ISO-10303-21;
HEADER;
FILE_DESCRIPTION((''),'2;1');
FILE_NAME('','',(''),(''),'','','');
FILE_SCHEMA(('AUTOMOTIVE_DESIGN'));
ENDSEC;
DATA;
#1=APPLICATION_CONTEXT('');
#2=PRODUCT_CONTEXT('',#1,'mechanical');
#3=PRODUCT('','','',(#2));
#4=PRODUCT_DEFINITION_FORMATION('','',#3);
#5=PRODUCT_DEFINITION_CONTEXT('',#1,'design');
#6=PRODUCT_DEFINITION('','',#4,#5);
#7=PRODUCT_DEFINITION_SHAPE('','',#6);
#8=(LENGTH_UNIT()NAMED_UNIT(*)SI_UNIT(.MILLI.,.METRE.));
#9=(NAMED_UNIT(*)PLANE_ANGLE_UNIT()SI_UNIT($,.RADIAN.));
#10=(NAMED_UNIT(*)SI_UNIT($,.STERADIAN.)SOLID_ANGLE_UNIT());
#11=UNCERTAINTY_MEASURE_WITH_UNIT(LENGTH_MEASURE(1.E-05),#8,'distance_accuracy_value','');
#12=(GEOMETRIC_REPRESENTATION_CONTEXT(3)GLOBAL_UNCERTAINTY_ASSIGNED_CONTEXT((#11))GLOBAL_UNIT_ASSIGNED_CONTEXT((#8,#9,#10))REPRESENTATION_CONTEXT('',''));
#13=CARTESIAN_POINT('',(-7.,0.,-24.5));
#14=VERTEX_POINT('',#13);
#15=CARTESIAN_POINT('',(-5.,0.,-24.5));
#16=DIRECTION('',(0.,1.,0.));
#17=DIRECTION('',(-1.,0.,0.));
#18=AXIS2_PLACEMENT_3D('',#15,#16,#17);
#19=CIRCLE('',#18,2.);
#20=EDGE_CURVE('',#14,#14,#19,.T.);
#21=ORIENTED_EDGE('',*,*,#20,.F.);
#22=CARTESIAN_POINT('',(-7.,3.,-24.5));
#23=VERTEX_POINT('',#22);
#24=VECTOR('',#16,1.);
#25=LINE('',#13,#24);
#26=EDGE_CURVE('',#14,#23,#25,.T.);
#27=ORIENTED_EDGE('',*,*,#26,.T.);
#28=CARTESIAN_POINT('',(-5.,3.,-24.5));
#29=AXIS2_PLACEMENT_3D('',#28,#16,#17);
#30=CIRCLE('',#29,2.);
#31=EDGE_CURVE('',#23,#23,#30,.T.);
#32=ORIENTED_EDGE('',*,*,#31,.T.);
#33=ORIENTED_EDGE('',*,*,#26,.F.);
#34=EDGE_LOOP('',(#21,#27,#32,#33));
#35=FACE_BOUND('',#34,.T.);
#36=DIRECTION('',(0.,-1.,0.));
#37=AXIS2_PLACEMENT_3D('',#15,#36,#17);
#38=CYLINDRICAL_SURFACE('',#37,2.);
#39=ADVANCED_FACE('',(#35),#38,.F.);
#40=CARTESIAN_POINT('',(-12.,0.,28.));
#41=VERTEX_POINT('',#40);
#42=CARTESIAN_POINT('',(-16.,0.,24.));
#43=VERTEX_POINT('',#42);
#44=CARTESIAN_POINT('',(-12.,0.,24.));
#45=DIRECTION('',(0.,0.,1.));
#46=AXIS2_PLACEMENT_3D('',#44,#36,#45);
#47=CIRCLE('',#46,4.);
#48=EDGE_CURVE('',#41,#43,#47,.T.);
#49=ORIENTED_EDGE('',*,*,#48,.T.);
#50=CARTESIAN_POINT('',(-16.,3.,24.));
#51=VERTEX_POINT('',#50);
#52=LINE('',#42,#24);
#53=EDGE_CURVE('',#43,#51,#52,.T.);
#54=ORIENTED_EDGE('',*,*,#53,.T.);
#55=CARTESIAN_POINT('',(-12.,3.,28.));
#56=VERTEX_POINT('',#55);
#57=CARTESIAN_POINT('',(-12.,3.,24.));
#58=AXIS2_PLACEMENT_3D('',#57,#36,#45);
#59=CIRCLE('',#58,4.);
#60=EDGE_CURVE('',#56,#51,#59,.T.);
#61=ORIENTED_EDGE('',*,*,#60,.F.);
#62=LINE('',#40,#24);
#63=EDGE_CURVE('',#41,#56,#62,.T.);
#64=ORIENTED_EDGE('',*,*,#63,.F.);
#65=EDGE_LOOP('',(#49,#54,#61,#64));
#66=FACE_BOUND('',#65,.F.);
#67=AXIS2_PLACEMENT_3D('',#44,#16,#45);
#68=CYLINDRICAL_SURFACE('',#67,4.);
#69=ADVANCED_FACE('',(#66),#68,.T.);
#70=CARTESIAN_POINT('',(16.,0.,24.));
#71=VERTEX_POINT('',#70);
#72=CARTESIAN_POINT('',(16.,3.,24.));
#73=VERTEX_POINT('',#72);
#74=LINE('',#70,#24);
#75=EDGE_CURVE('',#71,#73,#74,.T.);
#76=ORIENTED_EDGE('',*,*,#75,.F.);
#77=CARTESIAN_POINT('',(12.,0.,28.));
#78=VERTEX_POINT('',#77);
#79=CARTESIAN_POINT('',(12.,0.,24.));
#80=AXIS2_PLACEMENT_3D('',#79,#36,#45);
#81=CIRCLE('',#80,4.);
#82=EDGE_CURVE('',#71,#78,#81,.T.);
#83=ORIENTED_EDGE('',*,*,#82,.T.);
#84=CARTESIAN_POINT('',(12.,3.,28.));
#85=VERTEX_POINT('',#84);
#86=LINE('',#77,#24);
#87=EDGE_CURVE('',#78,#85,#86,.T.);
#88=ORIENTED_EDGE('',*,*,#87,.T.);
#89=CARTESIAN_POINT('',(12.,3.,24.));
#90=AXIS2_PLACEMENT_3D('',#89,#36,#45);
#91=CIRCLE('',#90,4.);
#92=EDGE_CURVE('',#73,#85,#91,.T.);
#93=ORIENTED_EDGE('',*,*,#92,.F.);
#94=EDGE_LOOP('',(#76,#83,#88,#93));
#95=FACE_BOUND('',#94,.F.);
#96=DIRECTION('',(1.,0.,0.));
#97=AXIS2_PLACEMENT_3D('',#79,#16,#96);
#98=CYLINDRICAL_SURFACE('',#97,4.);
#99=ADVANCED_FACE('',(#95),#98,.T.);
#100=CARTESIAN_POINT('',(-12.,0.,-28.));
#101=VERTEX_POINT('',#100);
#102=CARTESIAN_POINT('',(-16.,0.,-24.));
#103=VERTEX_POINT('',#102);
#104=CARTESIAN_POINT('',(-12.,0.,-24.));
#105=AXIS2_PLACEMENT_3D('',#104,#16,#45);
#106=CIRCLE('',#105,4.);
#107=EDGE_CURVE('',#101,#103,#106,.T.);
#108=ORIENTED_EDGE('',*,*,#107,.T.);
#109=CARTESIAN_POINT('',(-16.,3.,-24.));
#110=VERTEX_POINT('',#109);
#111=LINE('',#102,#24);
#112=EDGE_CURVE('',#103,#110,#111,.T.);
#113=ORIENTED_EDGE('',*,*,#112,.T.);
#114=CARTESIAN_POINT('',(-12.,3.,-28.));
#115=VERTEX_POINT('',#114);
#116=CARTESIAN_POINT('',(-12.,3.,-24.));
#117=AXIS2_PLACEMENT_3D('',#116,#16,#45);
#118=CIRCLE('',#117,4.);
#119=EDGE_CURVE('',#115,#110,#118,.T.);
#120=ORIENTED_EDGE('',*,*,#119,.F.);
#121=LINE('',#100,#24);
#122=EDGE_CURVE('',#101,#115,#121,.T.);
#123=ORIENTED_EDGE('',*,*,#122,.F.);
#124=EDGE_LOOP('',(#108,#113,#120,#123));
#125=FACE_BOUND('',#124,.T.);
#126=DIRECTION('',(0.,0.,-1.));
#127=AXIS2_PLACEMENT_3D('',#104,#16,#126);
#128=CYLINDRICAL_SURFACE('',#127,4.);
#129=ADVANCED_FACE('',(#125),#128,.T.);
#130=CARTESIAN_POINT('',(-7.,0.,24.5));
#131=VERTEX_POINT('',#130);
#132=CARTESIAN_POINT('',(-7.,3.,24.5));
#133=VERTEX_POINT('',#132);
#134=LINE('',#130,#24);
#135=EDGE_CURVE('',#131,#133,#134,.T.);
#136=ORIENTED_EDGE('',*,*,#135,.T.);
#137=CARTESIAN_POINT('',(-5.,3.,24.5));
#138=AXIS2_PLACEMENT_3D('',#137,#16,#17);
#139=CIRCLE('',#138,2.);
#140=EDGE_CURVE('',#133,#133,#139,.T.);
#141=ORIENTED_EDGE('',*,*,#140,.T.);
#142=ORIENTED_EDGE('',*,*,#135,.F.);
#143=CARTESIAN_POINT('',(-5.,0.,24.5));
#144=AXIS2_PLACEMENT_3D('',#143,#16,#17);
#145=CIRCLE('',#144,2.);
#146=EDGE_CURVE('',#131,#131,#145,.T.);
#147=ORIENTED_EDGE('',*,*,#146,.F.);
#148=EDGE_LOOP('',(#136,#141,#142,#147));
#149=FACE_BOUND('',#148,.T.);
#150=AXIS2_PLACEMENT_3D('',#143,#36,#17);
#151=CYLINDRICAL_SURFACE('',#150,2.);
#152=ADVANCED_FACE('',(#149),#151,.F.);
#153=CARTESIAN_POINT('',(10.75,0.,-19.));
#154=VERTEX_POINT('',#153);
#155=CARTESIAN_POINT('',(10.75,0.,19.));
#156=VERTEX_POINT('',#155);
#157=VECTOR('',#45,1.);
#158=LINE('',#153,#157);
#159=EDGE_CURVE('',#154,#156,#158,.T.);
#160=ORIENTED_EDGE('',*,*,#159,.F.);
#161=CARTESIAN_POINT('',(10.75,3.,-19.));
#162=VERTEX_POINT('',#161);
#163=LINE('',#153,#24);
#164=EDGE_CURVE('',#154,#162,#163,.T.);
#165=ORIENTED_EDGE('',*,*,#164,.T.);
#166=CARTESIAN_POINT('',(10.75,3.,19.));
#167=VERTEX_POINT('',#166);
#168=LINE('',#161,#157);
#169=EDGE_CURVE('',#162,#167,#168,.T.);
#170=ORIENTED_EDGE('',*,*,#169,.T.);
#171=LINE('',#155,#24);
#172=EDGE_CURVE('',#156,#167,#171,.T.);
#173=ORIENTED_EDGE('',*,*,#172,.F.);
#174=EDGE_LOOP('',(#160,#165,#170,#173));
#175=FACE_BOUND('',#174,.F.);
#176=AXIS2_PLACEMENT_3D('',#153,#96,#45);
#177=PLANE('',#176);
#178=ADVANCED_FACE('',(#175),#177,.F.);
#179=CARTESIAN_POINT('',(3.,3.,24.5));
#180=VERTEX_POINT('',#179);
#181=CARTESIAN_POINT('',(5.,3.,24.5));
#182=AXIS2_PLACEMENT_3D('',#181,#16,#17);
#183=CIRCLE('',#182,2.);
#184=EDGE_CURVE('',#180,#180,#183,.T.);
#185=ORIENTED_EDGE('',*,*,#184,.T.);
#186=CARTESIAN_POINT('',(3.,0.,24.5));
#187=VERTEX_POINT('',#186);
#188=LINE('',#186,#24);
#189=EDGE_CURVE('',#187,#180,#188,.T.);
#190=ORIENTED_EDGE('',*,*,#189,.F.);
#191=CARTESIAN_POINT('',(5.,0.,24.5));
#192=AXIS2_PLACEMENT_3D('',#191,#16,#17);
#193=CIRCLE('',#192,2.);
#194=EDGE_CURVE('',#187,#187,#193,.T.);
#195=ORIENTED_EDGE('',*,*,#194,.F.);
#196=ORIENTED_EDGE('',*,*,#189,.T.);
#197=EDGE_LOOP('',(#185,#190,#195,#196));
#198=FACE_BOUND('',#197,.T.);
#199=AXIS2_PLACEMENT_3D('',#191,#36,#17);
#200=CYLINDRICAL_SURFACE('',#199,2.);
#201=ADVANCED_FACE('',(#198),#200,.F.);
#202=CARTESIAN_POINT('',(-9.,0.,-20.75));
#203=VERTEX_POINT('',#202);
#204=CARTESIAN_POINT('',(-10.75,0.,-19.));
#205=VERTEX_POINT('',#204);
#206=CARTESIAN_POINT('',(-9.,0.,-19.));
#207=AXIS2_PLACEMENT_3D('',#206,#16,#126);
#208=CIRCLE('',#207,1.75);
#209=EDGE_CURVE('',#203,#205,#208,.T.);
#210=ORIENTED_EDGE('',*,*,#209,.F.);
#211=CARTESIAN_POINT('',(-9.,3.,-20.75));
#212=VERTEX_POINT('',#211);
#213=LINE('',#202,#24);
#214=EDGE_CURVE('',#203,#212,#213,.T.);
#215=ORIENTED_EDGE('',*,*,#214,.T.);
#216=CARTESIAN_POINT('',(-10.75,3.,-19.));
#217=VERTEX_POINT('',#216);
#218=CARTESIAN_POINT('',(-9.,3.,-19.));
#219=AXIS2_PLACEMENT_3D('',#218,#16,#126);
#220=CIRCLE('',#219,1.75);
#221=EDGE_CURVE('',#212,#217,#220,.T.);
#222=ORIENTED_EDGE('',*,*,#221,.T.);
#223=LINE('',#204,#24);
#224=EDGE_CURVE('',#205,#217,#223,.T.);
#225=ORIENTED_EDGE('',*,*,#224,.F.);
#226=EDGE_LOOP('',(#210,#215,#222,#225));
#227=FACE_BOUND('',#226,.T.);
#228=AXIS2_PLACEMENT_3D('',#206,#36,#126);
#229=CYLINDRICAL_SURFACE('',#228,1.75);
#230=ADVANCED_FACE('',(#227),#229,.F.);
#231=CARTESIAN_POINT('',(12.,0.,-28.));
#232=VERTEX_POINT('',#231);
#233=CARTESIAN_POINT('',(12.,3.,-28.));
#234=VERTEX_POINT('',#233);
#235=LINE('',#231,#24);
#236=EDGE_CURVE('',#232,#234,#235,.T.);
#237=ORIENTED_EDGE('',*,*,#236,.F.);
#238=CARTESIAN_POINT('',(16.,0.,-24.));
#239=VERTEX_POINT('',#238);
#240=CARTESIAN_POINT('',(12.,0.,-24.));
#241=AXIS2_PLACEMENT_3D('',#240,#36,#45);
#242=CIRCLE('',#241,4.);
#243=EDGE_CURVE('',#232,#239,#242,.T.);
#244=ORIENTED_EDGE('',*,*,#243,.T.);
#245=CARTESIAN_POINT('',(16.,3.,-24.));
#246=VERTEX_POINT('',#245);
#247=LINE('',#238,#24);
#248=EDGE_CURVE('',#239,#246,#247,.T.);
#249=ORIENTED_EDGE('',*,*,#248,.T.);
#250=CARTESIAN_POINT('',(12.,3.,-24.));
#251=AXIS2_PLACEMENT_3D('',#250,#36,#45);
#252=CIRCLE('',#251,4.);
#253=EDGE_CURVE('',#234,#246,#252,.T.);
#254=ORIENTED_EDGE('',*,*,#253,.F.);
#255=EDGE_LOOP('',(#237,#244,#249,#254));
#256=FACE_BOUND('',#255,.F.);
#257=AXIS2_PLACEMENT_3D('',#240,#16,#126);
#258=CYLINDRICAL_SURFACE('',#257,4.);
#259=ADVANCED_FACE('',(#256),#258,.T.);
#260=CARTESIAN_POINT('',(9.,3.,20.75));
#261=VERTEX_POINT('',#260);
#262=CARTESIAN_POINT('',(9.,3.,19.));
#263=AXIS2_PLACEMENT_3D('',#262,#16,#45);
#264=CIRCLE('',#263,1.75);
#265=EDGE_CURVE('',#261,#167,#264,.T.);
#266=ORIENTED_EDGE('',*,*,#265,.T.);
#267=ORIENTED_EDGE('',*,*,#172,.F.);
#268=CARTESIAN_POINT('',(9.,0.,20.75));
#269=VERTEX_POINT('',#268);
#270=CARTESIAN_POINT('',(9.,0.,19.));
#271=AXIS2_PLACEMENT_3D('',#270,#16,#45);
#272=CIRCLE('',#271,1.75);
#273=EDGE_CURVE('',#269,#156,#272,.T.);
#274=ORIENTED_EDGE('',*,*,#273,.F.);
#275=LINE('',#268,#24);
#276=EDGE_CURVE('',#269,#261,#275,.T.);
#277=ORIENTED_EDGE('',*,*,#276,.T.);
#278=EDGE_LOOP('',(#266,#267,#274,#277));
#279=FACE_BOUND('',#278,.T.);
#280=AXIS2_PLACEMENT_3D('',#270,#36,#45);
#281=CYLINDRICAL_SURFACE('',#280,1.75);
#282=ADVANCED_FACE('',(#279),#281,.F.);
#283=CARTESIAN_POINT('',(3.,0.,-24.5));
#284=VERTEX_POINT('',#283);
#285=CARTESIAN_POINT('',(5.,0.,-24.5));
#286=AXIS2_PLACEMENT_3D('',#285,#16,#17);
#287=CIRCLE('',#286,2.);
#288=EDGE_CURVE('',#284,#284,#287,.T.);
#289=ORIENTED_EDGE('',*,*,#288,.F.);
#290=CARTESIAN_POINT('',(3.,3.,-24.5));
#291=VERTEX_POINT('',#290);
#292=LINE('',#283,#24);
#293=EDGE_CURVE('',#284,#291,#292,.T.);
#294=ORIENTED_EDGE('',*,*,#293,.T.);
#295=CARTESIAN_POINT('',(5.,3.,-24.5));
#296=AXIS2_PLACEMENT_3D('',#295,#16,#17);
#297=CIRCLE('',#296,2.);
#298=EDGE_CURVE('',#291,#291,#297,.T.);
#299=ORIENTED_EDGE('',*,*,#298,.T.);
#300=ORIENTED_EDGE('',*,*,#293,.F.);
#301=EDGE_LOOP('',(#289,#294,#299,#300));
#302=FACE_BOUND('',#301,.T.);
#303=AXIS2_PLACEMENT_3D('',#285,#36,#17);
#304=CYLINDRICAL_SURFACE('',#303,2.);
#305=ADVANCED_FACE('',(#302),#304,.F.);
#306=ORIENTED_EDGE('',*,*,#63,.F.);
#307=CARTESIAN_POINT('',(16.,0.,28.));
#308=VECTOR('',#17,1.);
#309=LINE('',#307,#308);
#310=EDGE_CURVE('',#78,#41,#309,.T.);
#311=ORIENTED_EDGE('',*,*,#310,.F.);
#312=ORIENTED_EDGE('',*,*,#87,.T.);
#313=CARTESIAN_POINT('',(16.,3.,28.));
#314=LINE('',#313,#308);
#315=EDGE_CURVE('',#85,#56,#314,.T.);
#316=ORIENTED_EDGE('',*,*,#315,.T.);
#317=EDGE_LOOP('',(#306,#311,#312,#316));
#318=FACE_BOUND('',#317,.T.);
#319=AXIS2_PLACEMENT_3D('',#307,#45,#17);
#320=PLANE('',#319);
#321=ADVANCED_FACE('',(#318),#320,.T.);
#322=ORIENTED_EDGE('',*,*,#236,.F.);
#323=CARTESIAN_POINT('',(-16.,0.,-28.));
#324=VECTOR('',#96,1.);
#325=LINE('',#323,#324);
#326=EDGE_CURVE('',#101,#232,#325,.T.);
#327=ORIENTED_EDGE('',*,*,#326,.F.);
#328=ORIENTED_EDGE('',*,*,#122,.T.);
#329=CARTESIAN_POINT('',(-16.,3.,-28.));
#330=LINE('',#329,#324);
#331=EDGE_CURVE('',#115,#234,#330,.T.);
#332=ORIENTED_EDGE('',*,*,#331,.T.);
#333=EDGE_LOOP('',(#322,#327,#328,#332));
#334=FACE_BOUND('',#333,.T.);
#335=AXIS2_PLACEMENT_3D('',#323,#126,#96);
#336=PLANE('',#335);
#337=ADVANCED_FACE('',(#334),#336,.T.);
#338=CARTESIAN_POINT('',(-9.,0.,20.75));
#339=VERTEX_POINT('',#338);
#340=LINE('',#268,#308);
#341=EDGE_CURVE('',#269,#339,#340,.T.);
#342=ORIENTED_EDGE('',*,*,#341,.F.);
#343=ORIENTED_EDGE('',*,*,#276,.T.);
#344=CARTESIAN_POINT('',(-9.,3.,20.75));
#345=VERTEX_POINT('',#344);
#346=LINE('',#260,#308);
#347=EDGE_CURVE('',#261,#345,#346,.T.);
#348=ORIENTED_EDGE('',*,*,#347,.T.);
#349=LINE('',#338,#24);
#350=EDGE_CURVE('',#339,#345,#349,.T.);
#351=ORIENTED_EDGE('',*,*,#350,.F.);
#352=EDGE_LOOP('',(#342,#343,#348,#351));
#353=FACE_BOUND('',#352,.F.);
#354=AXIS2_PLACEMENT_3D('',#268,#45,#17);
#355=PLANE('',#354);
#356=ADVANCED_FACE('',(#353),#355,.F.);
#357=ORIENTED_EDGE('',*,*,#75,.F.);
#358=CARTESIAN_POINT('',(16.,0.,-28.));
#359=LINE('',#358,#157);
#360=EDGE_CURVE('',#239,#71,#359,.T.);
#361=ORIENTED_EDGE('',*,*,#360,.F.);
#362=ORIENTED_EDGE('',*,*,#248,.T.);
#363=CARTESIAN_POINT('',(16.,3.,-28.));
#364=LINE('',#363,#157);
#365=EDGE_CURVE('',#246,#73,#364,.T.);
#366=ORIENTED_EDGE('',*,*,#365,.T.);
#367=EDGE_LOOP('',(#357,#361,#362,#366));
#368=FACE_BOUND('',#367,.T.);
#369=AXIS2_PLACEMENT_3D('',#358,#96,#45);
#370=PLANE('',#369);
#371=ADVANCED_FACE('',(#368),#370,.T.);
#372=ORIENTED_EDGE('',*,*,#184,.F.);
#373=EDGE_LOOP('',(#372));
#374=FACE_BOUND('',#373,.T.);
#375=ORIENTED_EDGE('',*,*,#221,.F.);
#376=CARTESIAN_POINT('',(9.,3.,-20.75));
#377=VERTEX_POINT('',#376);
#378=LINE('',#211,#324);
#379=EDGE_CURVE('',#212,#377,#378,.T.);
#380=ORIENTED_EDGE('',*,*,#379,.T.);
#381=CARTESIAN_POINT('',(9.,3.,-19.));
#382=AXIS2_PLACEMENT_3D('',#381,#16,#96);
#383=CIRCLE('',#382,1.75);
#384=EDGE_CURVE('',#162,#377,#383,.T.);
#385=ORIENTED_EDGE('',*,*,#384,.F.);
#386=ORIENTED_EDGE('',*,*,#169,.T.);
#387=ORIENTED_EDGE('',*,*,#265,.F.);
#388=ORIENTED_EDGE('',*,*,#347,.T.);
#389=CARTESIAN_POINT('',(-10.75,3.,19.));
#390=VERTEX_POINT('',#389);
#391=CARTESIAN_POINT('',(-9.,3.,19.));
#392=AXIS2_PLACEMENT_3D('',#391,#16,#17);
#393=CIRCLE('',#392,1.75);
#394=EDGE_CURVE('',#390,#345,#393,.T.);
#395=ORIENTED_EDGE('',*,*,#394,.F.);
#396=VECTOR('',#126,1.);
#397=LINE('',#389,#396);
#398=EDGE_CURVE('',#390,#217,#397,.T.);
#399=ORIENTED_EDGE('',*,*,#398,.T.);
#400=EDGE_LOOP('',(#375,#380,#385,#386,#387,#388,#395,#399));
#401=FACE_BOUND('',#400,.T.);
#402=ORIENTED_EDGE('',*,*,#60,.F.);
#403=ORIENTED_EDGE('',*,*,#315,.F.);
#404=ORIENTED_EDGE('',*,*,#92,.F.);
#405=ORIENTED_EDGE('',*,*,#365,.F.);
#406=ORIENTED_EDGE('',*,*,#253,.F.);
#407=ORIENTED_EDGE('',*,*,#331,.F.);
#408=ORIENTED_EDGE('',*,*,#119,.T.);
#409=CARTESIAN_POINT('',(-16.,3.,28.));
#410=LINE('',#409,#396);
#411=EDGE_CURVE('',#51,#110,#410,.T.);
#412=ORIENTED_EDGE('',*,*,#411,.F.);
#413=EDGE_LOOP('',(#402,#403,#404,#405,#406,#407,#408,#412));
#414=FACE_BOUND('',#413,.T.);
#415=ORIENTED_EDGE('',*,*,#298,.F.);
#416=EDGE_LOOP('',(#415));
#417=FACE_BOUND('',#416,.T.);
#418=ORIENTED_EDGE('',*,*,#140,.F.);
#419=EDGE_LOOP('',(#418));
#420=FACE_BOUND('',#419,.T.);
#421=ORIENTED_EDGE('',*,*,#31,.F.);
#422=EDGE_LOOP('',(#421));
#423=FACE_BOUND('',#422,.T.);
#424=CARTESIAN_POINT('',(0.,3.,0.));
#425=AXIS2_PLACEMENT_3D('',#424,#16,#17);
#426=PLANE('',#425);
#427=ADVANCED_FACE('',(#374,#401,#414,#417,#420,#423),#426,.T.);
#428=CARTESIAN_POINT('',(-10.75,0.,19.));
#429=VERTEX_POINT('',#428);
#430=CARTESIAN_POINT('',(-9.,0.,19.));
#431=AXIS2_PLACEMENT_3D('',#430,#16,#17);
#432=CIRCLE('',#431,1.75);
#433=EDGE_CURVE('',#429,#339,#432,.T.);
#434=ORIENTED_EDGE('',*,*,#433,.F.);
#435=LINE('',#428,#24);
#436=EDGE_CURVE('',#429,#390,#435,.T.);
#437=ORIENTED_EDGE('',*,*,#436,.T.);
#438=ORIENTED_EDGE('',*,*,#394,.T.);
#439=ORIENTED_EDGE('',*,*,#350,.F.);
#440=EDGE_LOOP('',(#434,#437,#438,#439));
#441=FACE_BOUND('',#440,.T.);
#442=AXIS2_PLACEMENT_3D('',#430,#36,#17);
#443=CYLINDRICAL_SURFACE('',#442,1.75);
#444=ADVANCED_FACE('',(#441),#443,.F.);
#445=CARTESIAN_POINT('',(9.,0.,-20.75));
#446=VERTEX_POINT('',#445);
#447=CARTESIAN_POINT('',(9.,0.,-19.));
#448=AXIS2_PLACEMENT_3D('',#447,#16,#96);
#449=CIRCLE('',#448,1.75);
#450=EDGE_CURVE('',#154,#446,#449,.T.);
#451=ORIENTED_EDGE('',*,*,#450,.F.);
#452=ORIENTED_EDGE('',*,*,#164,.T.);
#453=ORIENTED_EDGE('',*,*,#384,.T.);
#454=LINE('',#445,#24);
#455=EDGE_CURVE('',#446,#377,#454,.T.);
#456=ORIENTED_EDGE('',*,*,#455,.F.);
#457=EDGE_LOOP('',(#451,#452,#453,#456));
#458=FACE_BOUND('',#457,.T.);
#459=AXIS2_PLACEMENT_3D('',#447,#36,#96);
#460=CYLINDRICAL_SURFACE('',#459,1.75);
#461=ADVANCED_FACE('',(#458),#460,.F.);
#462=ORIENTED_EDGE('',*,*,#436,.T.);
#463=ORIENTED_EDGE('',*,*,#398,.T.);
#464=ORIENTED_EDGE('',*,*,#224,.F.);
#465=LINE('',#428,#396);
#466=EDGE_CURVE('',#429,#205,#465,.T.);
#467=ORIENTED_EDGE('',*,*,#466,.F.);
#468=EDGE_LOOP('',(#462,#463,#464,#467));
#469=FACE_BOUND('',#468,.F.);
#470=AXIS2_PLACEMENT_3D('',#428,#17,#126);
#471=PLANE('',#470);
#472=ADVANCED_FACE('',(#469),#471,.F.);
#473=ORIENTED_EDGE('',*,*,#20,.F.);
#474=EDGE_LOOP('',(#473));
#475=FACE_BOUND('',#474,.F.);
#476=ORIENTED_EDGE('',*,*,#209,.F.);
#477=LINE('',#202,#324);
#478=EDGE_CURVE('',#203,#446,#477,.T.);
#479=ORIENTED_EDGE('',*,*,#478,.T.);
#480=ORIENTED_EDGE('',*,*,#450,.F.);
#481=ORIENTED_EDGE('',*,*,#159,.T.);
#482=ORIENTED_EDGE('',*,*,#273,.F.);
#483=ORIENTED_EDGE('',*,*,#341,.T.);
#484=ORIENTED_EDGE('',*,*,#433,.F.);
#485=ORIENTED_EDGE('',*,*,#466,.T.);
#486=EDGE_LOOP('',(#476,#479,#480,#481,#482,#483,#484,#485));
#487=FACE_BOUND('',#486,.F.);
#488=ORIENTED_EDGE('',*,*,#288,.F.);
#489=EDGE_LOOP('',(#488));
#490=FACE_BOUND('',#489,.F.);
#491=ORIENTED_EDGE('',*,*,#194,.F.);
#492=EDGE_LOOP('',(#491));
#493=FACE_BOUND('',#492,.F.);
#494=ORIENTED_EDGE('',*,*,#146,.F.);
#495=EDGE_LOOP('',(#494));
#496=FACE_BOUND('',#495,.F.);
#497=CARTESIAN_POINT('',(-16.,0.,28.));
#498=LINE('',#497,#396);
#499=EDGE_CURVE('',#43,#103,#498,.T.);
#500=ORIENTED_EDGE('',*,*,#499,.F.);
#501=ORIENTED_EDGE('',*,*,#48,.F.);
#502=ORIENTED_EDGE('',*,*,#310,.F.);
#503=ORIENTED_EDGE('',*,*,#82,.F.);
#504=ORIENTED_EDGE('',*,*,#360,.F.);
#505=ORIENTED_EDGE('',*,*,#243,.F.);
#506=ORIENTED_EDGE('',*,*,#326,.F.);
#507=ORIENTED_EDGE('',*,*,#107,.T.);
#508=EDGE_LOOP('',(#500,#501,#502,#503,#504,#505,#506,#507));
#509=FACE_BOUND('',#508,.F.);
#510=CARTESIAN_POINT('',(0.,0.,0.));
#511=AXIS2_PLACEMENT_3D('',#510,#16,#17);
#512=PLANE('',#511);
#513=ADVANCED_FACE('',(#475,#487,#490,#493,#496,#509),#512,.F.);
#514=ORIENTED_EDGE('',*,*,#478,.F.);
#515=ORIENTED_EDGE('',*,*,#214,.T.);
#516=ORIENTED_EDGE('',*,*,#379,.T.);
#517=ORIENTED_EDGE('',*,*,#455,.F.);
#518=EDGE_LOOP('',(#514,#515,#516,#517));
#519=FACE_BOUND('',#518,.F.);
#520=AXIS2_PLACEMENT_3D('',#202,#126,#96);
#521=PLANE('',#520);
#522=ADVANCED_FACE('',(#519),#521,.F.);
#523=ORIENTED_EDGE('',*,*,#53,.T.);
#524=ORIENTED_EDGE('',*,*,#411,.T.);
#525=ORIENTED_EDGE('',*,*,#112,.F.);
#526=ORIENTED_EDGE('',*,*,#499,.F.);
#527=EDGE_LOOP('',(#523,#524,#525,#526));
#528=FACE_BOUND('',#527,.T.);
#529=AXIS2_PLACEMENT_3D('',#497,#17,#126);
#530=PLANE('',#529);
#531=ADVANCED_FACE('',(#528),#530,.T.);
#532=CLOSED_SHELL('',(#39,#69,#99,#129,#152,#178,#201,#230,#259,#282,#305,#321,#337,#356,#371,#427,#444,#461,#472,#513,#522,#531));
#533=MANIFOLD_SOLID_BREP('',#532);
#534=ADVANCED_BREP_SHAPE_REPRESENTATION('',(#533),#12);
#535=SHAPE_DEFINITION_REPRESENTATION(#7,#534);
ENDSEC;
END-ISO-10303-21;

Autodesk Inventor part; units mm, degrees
ref_plane "YZ Plane" through (0, 0, 0) normal (1, 0, 0) x (0, 1, 0)
ref_plane "XZ Plane" through (0, 0, 0) normal (0, 1, 0) x (-1, 0, 0)
ref_plane "XY Plane" through (0, 0, 0) normal (0, 0, 1) x (1, 0, 0)
sketch "Sketch1" plane through (0, 0, 0) normal (0, 1, 0) x (-1, 0, 0)
  line L0 (9, 20.5) -> (-9, 20.5) construction
  line L1 (-10.5, 19) -> (-10.5, -19) construction
  line L2 (-9, -20.5) -> (9, -20.5) construction
  line L3 (10.5, -19) -> (10.5, 19) construction
  line L4 (10.5, 20.5) -> (-10.5, -20.5) construction
  line L5 (-10.5, 20.5) -> (10.5, -20.5) construction
  circle A0 centre (-5, 24.5) radius 2
  line L6 (0, 0) -> (10.5, 0) construction
  line L7 (0, 0) -> (0, -20.5) construction
  circle A1 centre (5, 24.5) radius 2
  circle A2 centre (-5, -24.5) radius 2
  circle A3 centre (5, -24.5) radius 2
  arc A4 (9, -20.5) -> (10.5, -19) centre (9, -19) ccw
  arc A5 (-10.5, -19) -> (-9, -20.5) centre (-9, -19) ccw construction
  arc A6 (10.5, 19) -> (9, 20.5) centre (9, 19) ccw
  arc A7 (-9, 20.5) -> (-10.5, 19) centre (-9, 19) ccw construction
  line L8 (9, -20.75) -> (-9, -20.75)
  arc A8 (-10.75, -19) -> (-9, -20.75) centre (-9, -19) ccw
  line L9 (-10.75, -19) -> (-10.75, 19)
  arc A9 (-9, 20.75) -> (-10.75, 19) centre (-9, 19) ccw
  line L10 (-9, 20.75) -> (9, 20.75)
  arc A10 (10.75, 19) -> (9, 20.75) centre (9, 19) ccw
  line L11 (10.75, 19) -> (10.75, -19)
  arc A11 (9, -20.75) -> (10.75, -19) centre (9, -19) ccw
  line L12 (16, -28) -> (-16, -28)
  line L13 (-16, -28) -> (-16, 28)
  line L14 (-16, 28) -> (16, 28)
  line L15 (16, 28) -> (16, -28)
  line L16 (16, -28) -> (-16, 28) construction
  line L17 (-16, -28) -> (16, 28) construction
  line L18 (-12.5, -12) -> (-12.5, 12) construction
  point P0 (-12.5, 0)
  dimension "d0" = 21
  dimension "d1" = 41
  dimension "d2" = 4
  dimension "d3" = 5
  dimension "d4" = 24.5
  dimension "d5" = 1.5
  dimension "d6" = 0.25
  dimension "d7" = 32
  dimension "d8" = 56
  dimension "d12" = 24
  dimension "d13" = 3.5
  dimension "d16" = 0
extrude "Extrusion1" add sketch "Sketch1" along normal blind 3
fillet "Fillet1" radius 4 4 edges at (16, 1.5, 28) (-16, 1.5, 28) (16, 1.5, -28) (-16, 1.5, -28)
properties part number "ClawServoPlate" material "Aluminum 6061"
